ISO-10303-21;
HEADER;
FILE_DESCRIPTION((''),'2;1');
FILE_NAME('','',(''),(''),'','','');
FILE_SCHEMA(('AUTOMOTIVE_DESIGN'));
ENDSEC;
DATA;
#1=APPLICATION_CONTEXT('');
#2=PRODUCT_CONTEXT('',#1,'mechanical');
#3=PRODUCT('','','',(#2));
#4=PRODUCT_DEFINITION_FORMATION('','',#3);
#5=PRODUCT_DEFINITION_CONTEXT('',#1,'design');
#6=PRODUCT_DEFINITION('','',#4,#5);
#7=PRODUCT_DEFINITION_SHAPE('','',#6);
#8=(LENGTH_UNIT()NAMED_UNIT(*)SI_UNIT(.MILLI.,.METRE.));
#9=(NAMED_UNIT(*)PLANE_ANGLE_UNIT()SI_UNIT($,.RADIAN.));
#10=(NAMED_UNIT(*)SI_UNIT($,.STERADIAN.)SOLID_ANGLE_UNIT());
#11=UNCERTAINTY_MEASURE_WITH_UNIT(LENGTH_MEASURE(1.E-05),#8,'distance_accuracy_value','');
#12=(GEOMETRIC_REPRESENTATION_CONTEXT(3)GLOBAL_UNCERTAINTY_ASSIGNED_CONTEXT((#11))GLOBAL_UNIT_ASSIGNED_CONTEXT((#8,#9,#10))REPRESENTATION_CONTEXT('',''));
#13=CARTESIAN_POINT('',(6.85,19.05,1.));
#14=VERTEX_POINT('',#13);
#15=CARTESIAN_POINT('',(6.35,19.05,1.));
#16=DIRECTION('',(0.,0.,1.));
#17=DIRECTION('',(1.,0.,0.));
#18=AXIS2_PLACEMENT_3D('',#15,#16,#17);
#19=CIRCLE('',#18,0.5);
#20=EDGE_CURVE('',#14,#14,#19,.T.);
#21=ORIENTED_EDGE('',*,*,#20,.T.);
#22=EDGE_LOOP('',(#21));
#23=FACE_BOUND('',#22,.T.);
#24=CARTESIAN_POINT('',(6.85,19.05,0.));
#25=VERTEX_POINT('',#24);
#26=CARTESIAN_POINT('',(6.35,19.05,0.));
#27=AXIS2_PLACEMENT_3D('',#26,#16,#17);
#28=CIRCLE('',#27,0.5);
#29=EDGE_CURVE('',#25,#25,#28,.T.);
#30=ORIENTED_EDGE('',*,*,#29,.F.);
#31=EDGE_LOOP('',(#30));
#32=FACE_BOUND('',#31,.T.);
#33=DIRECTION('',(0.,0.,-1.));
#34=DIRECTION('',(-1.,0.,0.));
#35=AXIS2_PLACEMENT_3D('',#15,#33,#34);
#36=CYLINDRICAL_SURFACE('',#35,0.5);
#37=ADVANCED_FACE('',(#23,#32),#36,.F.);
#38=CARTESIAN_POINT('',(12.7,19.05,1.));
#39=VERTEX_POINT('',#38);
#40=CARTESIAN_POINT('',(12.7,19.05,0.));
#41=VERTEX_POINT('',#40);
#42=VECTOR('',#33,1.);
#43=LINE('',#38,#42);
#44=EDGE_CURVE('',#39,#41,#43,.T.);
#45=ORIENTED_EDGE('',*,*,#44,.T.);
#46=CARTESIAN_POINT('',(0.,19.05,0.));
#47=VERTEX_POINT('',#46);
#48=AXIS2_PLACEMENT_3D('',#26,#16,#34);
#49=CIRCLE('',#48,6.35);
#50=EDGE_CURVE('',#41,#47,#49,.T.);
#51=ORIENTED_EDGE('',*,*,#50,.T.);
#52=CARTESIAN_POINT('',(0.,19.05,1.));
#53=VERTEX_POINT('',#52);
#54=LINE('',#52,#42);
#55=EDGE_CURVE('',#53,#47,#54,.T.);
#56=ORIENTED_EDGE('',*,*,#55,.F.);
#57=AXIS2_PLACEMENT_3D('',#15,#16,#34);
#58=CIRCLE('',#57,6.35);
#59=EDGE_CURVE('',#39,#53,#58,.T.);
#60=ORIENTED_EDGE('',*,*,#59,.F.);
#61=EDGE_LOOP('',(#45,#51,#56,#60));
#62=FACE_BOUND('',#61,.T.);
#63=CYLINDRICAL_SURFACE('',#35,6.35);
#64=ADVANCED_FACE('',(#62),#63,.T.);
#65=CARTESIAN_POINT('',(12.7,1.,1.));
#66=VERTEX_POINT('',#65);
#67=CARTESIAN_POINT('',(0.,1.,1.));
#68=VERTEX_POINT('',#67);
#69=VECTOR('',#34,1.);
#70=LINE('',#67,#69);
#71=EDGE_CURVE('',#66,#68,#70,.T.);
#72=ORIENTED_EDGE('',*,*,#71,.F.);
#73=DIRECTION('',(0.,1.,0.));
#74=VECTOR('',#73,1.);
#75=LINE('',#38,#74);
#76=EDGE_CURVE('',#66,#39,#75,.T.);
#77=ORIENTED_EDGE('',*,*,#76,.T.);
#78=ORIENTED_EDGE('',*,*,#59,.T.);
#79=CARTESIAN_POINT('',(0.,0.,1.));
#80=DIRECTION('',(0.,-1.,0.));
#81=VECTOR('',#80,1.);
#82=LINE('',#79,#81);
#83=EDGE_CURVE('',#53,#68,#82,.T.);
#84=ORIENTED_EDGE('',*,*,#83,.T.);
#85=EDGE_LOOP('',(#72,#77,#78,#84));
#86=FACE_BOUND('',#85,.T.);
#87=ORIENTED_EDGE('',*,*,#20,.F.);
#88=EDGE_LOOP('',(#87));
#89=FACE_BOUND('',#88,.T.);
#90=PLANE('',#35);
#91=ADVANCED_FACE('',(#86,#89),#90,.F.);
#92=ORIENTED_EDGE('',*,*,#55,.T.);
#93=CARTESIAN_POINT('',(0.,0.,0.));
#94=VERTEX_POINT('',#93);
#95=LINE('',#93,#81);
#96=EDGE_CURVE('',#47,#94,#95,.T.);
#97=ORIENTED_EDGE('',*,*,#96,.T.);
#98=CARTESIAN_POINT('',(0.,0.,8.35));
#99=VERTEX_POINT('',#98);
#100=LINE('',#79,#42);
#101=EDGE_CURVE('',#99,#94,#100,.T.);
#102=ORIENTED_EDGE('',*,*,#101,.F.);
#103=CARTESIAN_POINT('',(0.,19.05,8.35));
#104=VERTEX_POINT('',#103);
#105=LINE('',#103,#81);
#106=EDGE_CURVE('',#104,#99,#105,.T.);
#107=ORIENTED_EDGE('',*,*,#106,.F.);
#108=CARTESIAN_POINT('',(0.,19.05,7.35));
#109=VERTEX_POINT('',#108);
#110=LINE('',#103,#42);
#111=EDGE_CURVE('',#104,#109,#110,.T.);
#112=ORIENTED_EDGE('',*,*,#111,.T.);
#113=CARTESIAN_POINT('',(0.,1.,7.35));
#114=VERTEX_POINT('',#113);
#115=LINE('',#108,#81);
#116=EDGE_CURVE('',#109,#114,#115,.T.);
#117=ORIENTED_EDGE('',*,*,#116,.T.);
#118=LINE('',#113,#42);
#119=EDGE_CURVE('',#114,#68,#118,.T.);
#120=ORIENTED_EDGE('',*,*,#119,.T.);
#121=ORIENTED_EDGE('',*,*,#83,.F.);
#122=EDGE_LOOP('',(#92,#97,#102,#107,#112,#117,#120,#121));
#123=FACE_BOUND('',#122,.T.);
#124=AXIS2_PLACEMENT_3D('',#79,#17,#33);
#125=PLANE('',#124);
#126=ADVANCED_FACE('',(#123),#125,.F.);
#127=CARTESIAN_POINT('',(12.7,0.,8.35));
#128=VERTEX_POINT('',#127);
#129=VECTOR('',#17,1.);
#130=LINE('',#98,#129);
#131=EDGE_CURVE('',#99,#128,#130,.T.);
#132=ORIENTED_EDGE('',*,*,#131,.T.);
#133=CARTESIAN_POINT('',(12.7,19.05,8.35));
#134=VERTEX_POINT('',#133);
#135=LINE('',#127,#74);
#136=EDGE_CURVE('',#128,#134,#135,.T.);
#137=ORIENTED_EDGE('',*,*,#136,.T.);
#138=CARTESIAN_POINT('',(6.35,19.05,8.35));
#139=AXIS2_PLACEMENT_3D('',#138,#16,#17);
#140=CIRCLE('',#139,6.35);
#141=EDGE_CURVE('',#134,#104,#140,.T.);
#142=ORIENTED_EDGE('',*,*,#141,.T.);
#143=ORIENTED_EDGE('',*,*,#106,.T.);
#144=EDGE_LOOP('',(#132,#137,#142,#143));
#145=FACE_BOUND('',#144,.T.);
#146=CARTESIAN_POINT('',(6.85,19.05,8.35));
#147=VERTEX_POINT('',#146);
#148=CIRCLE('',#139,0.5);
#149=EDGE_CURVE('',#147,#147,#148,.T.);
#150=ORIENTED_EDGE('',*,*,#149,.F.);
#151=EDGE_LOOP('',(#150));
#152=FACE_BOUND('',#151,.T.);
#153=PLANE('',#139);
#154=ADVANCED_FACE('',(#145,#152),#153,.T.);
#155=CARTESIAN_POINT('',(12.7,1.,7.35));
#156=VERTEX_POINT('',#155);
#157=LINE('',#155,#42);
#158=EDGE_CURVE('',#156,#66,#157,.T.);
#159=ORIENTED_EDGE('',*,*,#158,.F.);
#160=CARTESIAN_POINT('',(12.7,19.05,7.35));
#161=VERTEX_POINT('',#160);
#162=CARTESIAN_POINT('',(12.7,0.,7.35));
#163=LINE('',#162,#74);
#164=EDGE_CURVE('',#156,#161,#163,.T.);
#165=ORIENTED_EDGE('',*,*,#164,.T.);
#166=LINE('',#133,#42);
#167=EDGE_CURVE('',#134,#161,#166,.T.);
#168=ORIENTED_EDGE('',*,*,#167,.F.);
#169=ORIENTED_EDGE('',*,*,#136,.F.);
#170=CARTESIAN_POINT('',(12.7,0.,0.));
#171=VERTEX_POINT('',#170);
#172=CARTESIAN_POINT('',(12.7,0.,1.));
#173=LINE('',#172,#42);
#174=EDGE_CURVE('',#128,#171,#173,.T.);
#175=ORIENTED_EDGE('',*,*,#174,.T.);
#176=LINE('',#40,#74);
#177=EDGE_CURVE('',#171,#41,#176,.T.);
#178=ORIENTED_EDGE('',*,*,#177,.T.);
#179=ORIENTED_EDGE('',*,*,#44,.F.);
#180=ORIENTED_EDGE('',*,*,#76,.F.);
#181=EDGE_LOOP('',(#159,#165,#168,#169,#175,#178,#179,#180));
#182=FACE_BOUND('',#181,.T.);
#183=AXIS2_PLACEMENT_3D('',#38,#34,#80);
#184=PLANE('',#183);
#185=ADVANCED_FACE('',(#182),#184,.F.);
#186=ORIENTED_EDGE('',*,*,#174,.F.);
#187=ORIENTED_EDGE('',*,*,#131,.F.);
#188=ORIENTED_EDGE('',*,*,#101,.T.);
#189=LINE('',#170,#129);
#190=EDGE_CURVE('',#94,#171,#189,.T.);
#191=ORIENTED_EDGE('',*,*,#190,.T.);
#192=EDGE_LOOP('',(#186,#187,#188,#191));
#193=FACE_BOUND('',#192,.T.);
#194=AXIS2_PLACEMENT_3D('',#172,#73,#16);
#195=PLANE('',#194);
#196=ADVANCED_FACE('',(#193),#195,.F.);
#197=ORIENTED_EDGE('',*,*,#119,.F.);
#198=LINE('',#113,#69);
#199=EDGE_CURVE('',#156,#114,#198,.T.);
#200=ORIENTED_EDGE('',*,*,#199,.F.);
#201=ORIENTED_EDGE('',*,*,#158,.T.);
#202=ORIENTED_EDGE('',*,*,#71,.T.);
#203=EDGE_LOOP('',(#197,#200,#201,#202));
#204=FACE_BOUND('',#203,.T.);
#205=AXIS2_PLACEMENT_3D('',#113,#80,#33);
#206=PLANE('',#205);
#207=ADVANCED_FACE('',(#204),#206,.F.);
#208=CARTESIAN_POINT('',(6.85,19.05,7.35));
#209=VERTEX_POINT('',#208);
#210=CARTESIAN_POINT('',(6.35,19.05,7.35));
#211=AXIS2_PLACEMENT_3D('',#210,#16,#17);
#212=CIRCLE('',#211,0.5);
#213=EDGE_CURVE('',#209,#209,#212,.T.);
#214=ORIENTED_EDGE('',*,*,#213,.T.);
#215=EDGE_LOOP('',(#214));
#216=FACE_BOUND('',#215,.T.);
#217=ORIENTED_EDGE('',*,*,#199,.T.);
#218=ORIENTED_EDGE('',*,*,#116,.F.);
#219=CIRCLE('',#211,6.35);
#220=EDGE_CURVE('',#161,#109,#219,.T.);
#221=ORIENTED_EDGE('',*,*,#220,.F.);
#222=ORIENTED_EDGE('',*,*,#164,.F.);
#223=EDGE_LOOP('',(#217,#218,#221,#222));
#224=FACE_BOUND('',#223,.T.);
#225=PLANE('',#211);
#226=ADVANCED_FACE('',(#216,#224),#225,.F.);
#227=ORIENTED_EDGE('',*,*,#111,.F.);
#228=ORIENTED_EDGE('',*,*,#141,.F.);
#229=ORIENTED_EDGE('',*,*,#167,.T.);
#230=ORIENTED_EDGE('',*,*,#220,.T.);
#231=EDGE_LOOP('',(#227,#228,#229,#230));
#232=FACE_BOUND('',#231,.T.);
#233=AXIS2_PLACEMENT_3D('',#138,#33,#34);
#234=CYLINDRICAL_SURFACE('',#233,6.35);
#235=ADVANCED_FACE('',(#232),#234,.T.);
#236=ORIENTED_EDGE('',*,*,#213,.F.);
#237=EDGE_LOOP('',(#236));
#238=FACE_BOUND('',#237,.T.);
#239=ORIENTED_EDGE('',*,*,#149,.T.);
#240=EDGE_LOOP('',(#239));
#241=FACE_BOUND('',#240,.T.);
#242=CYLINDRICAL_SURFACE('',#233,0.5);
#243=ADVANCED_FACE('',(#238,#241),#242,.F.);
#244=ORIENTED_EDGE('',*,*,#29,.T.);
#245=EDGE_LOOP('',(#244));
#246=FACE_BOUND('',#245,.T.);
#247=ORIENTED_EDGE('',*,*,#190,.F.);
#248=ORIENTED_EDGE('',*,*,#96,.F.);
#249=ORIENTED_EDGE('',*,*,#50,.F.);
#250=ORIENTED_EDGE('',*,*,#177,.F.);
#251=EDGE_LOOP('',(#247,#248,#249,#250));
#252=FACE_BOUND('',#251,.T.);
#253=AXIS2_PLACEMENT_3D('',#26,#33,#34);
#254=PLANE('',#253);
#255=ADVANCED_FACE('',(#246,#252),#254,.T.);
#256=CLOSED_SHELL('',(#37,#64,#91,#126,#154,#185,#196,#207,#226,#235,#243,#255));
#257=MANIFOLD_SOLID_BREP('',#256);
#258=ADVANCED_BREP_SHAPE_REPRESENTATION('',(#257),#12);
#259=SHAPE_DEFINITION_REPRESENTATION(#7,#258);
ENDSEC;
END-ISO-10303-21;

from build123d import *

# Parameters (mm, degrees)
SKETCH1_R           = 0.5
BOSS_EXTRUDE1_DEPTH = 1
SKETCH2_W           = 12.7
SKETCH2_H           = 1
BOSS_EXTRUDE2_DEPTH = 6.35
SKETCH3_R           = 0.5
BOSS_EXTRUDE3_DEPTH = 1


with BuildPart() as part:
    # Sketch1 → Boss-Extrude1 (new body)
    with BuildSketch(Plane.XY):
        with BuildLine():
            Line((0, 0), (0, 19.05))
            ThreePointArc((0, 19.05), (6.35, 25.4), (12.7, 19.05))
            Line((12.7, 19.05), (12.7, 0))
            Line((12.7, 0), (0, 0))
        make_face()
        with Locations((6.35, 19.05)):
            Circle(SKETCH1_R, mode=Mode.SUBTRACT)
    extrude(amount=BOSS_EXTRUDE1_DEPTH)

    # Sketch2 → Boss-Extrude2 (add)
    with BuildSketch(Plane.XY.offset(1)):
        with Locations((6.35, 0.5)):
            Rectangle(SKETCH2_W, SKETCH2_H)
    extrude(amount=BOSS_EXTRUDE2_DEPTH)

    # Sketch3 → Boss-Extrude3 (add)
    with BuildSketch(Plane.XY.offset(7.35)):
        with BuildLine():
            Line((0, 0), (12.7, 0))
            Line((12.7, 0), (12.7, 19.05))
            ThreePointArc((12.7, 19.05), (6.35, 25.4), (0, 19.05))
            Line((0, 19.05), (0, 0))
        make_face()
        with Locations((6.35, 19.05)):
            Circle(SKETCH3_R, mode=Mode.SUBTRACT)
    extrude(amount=BOSS_EXTRUDE3_DEPTH)


solid = part.part
